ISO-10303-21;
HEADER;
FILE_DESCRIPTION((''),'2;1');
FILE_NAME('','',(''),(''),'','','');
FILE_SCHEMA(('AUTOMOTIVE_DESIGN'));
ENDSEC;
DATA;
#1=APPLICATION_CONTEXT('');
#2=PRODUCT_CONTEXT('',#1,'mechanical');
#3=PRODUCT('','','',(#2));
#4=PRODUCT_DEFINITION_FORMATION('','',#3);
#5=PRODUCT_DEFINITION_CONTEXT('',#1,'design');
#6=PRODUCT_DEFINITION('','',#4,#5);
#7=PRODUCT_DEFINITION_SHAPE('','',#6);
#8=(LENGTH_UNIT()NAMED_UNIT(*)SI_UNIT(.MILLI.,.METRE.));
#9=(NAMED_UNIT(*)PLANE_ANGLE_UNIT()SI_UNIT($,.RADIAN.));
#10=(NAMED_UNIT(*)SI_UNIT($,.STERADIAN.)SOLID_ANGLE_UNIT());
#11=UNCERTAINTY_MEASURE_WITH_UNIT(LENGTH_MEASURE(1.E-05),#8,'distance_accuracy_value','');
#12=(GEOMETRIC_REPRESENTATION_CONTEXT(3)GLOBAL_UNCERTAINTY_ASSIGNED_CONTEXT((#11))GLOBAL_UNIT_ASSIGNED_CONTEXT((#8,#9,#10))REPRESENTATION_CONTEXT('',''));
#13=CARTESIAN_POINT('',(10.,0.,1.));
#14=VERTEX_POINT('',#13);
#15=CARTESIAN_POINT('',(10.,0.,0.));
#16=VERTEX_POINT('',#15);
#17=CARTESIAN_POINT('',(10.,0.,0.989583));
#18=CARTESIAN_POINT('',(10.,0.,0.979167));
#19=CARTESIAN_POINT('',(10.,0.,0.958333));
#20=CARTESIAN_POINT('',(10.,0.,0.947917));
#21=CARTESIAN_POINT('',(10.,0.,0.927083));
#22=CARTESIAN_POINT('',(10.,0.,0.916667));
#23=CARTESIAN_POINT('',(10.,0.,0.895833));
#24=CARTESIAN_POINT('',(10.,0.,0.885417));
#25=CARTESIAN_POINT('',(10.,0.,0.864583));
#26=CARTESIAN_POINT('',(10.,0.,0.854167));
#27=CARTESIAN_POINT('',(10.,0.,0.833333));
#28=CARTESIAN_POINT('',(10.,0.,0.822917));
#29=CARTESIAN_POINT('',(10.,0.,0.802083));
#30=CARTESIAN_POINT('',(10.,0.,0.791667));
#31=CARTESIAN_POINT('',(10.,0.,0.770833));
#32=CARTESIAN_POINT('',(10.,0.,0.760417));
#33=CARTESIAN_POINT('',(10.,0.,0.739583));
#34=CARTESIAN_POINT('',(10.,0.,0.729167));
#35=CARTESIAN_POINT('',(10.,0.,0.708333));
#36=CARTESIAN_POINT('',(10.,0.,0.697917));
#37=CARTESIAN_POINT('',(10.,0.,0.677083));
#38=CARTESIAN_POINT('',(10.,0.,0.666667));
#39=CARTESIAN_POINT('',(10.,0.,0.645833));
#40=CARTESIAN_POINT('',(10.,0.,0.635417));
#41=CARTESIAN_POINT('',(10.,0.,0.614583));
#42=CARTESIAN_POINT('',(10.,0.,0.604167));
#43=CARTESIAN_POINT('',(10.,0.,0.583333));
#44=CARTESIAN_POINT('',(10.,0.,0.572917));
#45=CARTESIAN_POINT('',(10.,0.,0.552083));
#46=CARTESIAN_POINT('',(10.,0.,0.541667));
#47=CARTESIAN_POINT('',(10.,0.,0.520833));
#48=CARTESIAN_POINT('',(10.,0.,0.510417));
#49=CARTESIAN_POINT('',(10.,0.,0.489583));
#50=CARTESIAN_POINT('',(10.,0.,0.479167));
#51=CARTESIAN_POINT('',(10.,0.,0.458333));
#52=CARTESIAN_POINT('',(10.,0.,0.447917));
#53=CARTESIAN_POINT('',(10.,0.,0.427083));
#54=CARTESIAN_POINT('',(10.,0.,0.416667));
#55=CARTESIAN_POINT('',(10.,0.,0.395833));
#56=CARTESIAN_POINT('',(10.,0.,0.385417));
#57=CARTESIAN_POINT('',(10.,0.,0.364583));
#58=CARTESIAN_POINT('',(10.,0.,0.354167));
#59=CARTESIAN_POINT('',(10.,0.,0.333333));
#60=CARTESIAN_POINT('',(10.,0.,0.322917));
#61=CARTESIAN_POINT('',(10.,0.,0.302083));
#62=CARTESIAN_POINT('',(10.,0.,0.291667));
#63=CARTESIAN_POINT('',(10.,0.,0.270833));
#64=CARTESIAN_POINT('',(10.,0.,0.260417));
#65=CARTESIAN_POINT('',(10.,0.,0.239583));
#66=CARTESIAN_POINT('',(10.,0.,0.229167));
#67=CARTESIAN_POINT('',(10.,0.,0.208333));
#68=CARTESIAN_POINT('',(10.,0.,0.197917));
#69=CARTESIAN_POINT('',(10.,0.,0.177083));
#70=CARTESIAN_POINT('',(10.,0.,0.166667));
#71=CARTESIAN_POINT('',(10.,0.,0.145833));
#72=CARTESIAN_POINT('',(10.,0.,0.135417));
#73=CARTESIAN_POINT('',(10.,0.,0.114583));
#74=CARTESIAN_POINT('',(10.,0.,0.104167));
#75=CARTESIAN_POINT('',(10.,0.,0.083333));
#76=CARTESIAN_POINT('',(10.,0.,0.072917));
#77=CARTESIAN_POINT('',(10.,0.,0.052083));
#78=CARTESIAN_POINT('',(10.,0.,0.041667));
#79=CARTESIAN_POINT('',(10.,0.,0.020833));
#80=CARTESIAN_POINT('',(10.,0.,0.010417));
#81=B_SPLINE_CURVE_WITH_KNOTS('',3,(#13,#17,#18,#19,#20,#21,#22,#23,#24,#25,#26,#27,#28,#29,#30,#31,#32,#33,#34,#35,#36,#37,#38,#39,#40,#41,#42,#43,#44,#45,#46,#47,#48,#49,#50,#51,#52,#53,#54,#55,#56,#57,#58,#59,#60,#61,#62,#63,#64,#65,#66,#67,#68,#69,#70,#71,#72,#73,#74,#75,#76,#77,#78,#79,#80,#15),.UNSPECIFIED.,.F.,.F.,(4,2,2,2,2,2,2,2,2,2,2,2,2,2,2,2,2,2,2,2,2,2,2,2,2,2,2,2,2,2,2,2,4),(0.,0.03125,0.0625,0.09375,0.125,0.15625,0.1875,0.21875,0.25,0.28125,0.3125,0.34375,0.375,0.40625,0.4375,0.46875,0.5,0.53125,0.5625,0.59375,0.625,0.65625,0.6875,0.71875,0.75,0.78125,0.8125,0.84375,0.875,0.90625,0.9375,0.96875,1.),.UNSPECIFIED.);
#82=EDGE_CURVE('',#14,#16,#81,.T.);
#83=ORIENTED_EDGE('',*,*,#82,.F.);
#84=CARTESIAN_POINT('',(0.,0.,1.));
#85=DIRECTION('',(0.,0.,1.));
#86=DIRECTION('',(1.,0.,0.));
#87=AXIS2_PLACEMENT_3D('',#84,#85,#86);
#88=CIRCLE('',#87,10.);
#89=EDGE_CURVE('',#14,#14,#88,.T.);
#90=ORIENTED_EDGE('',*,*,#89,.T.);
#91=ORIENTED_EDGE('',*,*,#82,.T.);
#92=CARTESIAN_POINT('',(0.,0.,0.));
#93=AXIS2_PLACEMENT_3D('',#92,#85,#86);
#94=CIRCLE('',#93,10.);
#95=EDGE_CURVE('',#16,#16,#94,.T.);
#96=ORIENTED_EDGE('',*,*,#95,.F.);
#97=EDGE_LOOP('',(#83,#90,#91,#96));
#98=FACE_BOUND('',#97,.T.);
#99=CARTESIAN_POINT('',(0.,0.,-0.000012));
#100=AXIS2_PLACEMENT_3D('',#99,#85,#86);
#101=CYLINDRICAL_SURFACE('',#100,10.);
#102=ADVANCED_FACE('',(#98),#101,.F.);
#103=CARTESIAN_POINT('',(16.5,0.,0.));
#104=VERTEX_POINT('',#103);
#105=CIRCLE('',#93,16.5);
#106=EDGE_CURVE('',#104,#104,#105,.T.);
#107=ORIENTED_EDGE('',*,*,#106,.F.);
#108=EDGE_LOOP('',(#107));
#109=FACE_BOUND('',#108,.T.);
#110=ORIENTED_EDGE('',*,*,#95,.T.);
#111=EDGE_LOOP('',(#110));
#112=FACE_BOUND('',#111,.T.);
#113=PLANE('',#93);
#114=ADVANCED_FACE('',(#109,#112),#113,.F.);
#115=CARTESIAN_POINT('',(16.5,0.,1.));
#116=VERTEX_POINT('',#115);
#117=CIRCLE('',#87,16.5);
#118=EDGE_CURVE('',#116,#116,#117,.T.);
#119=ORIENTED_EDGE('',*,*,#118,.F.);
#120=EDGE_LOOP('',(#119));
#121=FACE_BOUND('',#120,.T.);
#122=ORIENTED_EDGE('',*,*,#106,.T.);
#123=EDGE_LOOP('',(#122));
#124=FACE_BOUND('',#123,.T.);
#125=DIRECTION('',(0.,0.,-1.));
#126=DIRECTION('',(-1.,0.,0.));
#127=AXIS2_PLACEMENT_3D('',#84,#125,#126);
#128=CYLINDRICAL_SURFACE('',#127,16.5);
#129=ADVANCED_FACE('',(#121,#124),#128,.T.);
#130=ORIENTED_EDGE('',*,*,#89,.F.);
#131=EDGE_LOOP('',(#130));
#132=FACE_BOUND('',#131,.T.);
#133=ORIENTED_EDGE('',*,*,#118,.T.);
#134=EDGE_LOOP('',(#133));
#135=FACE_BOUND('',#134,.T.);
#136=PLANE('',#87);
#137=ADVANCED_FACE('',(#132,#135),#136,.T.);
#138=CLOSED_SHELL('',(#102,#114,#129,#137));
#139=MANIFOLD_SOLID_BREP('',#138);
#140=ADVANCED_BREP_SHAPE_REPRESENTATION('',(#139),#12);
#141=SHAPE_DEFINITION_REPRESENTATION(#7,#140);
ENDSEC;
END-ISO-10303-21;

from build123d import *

# Parameters (mm, degrees)
SKETCH1_R               = 16.5
BOSS_EXTRUDE1_DEPTH     = 1
CUT_EXTRUDE1_DEPTH      = 24.355941428
CUT_EXTRUDE1_DEPTH_BACK = 24.355941428
SKETCH2_R               = 10


with BuildPart() as part:
    # Sketch1 → Boss-Extrude1 (new body)
    with BuildSketch(Plane.XY):
        Circle(SKETCH1_R)
    extrude(amount=BOSS_EXTRUDE1_DEPTH)

    # Sketch2 → Cut-Extrude1 (cut, two sides: drawn at the far end of the back side and taken through both)
    with BuildSketch(Plane.XY.offset(-CUT_EXTRUDE1_DEPTH_BACK)):
        Circle(SKETCH2_R)
    extrude(amount=CUT_EXTRUDE1_DEPTH + CUT_EXTRUDE1_DEPTH_BACK, mode=Mode.SUBTRACT)


solid = part.part
